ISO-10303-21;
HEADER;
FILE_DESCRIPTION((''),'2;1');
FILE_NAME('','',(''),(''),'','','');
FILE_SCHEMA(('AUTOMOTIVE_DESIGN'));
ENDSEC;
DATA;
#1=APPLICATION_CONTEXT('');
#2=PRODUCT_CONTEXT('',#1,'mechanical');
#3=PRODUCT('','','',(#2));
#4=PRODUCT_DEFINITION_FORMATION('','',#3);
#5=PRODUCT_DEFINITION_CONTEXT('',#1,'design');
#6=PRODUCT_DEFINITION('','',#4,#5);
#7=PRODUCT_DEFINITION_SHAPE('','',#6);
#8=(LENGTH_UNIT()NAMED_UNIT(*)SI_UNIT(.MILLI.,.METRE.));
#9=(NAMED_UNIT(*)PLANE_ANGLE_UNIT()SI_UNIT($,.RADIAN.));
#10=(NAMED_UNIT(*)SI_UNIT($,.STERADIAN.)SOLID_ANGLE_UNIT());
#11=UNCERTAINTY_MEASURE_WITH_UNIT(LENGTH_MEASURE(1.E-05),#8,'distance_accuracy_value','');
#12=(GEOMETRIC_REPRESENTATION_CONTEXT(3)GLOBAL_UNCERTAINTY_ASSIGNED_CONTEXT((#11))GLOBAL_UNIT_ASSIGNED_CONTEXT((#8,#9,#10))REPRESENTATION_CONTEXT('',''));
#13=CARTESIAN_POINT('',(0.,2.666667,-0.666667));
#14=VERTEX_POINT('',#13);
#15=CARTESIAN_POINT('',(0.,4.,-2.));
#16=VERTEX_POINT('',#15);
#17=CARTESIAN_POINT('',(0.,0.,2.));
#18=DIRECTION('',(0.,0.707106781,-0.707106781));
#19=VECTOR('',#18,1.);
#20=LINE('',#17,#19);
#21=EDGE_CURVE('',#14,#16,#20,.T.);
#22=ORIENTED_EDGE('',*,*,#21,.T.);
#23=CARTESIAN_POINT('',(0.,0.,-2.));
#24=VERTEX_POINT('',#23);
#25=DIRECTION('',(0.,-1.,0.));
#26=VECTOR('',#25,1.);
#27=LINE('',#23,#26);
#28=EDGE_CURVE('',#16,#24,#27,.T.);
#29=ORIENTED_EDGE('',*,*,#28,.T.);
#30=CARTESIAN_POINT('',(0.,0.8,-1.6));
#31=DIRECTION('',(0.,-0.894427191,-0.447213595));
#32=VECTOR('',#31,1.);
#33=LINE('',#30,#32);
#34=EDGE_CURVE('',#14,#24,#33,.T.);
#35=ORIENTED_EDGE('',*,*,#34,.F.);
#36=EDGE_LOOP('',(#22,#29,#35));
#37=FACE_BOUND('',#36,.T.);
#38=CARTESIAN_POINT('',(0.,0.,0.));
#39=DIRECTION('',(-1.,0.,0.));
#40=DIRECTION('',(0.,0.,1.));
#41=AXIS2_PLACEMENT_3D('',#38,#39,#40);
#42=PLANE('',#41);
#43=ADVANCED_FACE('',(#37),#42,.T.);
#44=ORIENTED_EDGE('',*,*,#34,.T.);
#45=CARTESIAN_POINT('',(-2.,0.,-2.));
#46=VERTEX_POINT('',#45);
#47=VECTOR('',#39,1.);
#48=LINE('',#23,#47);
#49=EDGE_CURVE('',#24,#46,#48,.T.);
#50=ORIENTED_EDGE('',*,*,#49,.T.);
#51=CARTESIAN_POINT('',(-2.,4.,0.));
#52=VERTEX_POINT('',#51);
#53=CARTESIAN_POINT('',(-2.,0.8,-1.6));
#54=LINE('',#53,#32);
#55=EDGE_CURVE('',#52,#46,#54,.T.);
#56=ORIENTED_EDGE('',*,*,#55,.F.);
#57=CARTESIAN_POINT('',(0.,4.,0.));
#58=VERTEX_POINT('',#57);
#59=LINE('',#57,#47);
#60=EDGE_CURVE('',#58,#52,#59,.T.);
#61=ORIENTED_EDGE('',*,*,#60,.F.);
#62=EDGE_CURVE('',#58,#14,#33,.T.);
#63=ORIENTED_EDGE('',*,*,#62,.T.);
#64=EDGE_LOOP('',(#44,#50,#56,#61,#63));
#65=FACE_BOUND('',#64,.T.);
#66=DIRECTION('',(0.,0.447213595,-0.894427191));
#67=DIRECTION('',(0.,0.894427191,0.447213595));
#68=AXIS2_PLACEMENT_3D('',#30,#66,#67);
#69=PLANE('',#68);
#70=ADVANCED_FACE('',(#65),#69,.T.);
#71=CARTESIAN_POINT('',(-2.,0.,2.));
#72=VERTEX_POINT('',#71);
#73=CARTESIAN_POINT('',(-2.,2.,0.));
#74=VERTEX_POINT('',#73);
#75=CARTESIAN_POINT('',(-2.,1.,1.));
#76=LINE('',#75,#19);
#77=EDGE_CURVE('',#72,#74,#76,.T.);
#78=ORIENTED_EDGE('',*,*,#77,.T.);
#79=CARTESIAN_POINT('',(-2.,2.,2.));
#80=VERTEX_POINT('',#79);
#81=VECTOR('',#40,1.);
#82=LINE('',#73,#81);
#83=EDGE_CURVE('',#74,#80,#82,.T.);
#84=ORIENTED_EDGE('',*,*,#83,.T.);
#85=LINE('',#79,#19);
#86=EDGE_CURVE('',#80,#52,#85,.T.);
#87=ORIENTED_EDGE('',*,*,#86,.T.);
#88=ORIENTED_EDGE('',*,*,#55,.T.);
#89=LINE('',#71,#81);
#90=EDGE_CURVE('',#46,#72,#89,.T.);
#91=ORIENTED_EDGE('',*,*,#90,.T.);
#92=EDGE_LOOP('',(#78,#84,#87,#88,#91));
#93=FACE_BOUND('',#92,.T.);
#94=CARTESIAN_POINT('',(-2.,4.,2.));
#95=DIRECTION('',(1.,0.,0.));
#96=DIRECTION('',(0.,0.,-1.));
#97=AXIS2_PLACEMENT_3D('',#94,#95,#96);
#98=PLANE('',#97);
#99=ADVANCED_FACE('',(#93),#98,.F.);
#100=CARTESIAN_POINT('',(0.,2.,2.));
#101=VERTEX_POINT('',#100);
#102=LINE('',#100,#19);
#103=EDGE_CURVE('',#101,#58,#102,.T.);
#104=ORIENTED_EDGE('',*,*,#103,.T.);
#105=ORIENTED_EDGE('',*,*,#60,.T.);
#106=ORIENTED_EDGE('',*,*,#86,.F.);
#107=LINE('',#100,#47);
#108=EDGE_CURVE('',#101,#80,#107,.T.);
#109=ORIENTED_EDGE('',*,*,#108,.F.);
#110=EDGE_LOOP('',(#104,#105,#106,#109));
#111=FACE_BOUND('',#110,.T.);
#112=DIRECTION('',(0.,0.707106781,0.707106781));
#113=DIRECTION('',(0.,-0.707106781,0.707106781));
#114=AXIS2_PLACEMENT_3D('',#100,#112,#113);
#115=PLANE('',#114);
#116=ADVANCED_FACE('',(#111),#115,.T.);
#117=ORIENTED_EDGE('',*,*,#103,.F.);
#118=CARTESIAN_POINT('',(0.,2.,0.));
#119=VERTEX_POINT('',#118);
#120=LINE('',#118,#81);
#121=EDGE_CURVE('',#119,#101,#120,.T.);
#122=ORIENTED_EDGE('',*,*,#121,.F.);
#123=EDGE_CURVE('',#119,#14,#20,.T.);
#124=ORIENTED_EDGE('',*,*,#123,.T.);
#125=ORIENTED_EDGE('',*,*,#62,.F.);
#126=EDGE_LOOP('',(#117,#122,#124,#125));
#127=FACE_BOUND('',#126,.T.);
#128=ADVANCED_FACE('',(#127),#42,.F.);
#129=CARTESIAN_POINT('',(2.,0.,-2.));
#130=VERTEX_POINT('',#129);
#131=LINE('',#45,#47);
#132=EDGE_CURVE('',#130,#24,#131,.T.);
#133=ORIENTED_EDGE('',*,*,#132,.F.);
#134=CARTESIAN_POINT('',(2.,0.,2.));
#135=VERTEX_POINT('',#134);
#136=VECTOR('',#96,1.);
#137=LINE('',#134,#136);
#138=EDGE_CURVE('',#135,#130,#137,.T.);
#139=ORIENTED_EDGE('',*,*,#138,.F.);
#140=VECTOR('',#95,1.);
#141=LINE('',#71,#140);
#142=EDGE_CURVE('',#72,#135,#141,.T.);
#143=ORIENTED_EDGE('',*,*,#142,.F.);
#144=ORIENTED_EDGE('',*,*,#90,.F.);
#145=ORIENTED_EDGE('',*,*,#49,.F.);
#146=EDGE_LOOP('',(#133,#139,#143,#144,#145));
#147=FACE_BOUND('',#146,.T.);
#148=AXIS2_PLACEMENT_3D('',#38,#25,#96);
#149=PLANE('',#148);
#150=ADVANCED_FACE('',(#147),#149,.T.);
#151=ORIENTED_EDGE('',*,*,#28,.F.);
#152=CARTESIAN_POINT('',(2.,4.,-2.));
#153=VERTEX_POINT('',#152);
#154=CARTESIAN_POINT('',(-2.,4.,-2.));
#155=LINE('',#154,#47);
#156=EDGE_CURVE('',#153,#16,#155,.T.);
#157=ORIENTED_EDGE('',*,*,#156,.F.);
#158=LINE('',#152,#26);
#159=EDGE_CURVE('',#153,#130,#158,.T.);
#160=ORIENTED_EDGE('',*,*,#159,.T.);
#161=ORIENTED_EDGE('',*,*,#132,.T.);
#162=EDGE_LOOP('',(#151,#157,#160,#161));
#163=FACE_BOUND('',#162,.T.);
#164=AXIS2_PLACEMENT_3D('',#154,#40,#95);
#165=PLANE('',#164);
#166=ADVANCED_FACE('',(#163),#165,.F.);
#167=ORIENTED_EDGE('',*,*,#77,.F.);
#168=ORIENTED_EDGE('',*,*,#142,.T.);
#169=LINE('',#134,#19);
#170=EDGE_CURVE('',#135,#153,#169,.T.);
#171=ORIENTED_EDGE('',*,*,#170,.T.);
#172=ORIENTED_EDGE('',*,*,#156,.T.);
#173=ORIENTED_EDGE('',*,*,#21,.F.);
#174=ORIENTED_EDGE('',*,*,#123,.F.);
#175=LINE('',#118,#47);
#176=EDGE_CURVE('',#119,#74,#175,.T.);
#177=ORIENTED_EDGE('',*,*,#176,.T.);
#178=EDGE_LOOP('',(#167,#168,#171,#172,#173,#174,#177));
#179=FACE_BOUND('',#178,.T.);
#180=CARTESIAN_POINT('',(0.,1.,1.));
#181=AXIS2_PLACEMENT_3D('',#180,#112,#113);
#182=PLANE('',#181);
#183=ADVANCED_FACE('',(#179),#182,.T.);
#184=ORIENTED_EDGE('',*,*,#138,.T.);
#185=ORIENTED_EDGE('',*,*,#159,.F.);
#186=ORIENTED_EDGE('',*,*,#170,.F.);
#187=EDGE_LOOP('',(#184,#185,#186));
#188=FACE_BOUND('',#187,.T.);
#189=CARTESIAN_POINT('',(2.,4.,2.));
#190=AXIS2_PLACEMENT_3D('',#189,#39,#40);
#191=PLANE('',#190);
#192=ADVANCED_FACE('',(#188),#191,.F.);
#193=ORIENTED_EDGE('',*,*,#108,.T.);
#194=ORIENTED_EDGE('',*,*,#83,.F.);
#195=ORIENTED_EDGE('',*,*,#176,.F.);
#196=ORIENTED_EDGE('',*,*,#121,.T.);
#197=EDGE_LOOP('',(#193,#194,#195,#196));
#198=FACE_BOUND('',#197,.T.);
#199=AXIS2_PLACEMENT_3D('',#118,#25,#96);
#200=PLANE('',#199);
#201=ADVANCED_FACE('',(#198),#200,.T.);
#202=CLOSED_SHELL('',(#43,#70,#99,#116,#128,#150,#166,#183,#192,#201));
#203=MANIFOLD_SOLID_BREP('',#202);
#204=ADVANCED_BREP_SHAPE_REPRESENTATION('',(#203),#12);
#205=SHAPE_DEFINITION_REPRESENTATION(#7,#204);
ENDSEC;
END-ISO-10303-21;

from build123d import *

# Parameters (mm, degrees)
SKETCH1_W           = 4
SKETCH1_H           = 4
BOSS_EXTRUDE1_DEPTH = 4
CUT_EXTRUDE1_DEPTH  = 2
CUT_EXTRUDE2_DEPTH  = 2


with BuildPart() as part:
    # Sketch1 → Boss-Extrude1 (new body)
    with BuildSketch(Plane(origin=(0, 0, 0), x_dir=(1, 0, 0), z_dir=(0, 1, 0))):
        Rectangle(SKETCH1_W, SKETCH1_H)
    extrude(amount=BOSS_EXTRUDE1_DEPTH)

    # Sketch2 → Cut-Extrude1 (cut)
    with BuildSketch(Plane.ZY.offset(2)):
        Polygon((0, 2), (2, 0), (2, 2), align=None)
        Polygon((0, 4), (2, 2), (2, 4), align=None)
        Polygon((-2, 0), (0, 4), (-2, 4), (-2, 2), align=None)
    extrude(amount=-CUT_EXTRUDE1_DEPTH, mode=Mode.SUBTRACT)

    # Sketch3 → Cut-Extrude2 (cut)
    with BuildSketch(Plane(origin=(2, 0, 0), x_dir=(0, 0, -1), z_dir=(1, 0, 0))):
        Polygon((-2, 0), (2, 4), (-2, 4.116557223), align=None)
    extrude(amount=-CUT_EXTRUDE2_DEPTH, mode=Mode.SUBTRACT)


solid = part.part
